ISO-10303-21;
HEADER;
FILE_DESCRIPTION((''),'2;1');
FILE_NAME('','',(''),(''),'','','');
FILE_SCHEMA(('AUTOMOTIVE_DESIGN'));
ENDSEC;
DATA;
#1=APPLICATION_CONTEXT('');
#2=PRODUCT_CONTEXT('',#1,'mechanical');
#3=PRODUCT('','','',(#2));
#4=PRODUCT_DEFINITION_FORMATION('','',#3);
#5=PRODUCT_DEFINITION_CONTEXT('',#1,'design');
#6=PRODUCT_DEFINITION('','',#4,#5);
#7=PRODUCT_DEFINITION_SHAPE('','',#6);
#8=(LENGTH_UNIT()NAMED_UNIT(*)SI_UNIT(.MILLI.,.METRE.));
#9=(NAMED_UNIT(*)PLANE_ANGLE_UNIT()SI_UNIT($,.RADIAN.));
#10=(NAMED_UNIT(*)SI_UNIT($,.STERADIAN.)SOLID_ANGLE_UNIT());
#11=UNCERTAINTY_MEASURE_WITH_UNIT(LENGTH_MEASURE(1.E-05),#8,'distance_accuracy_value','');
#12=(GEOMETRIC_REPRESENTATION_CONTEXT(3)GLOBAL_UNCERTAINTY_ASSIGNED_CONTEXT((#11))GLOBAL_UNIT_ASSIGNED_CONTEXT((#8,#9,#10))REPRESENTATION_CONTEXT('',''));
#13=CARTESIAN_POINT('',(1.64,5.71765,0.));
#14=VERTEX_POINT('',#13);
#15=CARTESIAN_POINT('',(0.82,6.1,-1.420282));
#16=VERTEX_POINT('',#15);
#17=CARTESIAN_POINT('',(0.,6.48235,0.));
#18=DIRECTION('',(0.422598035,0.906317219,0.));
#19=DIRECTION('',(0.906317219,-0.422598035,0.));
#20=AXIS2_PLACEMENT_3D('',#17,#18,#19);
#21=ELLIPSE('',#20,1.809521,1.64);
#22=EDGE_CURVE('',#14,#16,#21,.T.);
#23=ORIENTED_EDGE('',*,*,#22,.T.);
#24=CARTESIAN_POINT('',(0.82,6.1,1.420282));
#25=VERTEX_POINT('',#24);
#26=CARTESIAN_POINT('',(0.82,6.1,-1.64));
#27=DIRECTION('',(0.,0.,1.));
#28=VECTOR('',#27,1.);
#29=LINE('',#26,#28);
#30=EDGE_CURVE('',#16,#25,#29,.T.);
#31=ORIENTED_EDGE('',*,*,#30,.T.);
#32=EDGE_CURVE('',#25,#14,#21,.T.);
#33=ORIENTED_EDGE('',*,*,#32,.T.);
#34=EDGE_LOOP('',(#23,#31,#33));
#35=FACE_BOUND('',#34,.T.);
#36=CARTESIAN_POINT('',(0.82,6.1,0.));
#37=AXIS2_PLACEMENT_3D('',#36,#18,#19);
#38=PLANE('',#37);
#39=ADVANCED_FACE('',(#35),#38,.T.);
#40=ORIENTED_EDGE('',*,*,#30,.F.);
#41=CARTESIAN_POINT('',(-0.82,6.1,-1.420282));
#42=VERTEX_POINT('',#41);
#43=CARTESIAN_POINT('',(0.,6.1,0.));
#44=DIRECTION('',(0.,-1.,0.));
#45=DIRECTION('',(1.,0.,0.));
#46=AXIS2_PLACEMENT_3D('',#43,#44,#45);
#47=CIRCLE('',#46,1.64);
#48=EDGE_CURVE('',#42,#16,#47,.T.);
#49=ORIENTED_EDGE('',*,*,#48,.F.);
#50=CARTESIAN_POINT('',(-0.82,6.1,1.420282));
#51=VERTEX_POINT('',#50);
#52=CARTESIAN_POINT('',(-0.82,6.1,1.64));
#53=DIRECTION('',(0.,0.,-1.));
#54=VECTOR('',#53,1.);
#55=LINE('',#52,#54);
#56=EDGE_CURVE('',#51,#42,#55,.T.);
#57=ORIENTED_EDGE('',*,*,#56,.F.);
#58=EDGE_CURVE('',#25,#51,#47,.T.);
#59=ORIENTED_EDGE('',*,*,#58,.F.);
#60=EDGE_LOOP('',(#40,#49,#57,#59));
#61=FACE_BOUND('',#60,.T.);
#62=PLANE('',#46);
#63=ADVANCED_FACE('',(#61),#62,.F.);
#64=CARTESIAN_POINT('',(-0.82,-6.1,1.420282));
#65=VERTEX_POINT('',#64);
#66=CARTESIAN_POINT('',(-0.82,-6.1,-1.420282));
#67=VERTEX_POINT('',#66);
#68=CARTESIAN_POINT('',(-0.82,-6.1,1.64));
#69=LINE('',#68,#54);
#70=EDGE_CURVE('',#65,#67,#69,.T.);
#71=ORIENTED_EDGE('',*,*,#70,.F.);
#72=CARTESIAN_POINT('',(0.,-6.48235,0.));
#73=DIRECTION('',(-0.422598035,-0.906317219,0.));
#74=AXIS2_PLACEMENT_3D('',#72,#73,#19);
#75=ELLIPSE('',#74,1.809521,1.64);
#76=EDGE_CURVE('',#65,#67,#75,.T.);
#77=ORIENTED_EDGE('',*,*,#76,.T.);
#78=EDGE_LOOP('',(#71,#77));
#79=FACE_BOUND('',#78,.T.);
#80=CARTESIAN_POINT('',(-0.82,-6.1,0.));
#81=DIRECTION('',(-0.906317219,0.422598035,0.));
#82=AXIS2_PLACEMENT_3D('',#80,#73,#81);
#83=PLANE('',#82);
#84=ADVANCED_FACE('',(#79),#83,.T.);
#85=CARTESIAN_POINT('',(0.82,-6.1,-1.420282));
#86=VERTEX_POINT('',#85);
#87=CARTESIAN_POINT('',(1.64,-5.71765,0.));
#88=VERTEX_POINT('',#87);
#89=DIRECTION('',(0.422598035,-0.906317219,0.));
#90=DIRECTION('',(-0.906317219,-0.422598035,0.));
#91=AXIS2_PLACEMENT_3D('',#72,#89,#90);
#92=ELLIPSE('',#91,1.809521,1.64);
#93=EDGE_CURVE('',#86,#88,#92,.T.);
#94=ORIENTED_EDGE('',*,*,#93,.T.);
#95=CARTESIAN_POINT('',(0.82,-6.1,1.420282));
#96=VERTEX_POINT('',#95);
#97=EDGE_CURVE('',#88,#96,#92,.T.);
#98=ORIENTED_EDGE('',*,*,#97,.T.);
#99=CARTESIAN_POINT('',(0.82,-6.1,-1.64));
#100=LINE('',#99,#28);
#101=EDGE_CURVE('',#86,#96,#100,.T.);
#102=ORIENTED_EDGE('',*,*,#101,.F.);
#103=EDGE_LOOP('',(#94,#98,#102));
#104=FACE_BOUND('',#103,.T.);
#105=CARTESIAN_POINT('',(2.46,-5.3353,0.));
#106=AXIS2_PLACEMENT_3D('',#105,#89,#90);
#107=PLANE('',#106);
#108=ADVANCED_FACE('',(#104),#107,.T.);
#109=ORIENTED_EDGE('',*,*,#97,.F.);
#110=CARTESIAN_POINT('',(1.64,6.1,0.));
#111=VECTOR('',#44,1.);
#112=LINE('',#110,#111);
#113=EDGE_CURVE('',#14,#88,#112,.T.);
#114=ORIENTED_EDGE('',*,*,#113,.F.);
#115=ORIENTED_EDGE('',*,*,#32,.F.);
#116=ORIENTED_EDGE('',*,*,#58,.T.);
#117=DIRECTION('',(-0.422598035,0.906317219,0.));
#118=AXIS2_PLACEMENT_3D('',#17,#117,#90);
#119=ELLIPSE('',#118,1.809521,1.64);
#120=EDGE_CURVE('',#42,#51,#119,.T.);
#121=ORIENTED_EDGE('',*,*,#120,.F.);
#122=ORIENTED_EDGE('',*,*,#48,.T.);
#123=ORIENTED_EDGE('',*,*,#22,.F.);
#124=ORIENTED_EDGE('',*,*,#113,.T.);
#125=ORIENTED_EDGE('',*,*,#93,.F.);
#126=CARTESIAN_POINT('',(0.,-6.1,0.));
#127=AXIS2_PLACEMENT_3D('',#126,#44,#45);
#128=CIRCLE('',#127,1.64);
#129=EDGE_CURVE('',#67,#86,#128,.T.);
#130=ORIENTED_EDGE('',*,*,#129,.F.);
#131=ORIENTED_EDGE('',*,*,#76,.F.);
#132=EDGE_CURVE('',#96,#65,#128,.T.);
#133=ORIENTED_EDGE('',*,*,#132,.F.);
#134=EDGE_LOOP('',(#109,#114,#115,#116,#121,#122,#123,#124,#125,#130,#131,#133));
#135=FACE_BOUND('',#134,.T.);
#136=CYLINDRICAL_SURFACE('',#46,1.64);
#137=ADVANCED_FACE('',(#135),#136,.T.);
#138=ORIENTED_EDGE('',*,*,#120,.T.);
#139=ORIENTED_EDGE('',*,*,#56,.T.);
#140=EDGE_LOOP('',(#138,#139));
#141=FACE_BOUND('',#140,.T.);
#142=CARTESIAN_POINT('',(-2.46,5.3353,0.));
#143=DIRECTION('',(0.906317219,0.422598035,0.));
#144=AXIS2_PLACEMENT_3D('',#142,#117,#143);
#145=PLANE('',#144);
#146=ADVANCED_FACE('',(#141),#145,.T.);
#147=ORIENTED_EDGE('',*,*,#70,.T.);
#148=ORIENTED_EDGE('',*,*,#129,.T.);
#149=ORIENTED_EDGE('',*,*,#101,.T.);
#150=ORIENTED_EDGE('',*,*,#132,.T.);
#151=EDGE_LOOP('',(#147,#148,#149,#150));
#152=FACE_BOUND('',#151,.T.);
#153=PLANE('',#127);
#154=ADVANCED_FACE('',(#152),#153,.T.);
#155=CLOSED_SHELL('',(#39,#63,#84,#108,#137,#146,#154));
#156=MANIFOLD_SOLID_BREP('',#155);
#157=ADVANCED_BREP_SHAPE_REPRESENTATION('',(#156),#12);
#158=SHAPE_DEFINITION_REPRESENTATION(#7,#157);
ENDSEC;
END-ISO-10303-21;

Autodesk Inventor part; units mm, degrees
sketch "Sketch_1" plane through (0, 0, 0) normal (0, 0, 1) x (1, 0, 0)
  line L0 (0, -6.1) -> (0, 6.1)
  line L1 (0, 6.1) -> (1.64, 6.1)
  line L2 (1.64, 6.1) -> (1.64, -6.1)
  line L3 (1.64, -6.1) -> (0, -6.1)
  line L4 (0, -6.1) -> (0, 6.1)
revolve "Revolution1" add sketch "Sketch_1" angle 360 about axis through (0, -6.1, 0) along (0, -1, 0)
sketch "Sketch_7" plane through (0, 0, 0) normal (0, 0, 1) x (1, 0, 0)
  line L0 (0.82, 6.1) -> (2.46, 5.3353)
  line L1 (2.46, 5.3353) -> (2.46, 6.92)
  line L2 (2.46, 6.92) -> (0.82, 6.92)
  line L3 (0.82, 6.92) -> (0.82, 6.1)
extrude "Extrusion1" cut sketch "Sketch_7" along normal mid plane 3.28
sketch "Sketch_8" plane through (0, 0, 0) normal (0, 0, 1) x (1, 0, 0)
  line L0 (-2.46, 6.92) -> (-2.46, 5.3353)
  line L1 (-2.46, 5.3353) -> (-0.82, 6.1)
  line L2 (-0.82, 6.1) -> (-0.82, 6.92)
  line L3 (-0.82, 6.92) -> (-2.46, 6.92)
extrude "Extrusion2" cut sketch "Sketch_8" along normal mid plane 3.28
sketch "Sketch_9" plane through (0, 0, 0) normal (0, 0, 1) x (1, 0, 0)
  line L0 (0.82, -6.1) -> (0.82, -6.92)
  line L1 (0.82, -6.92) -> (2.46, -6.92)
  line L2 (2.46, -6.92) -> (2.46, -5.3353)
  line L3 (2.46, -5.3353) -> (0.82, -6.1)
extrude "Extrusion3" cut sketch "Sketch_9" along normal mid plane 3.28
sketch "Sketch_10" plane through (0, 0, 0) normal (0, 0, 1) x (1, 0, 0)
  line L0 (-2.46, -6.92) -> (-0.82, -6.92)
  line L1 (-0.82, -6.92) -> (-0.82, -6.1)
  line L2 (-0.82, -6.1) -> (-2.46, -5.3353)
  line L3 (-2.46, -5.3353) -> (-2.46, -6.92)
extrude "Extrusion4" cut sketch "Sketch_10" along normal mid plane 3.28
ref_plane "Body2_1_XY" through (0, 0, 0) normal (0, 1, 0) x (1, 0, 0)
ref_plane "Body2_1_YZ" through (0, 0, 0) normal (1, 0, 0) x (0, 0, -1)
ref_plane "Body2_1_ZX" through (0, 0, 0) normal (0, 0, -1) x (0, 1, 0)
ref_plane "for_pin_XY" through (0, -5.3803, 0) normal (1, 0, 0) x (0, 0, -1)
ref_plane "for_pin_YZ" through (0, -5.3803, 0) normal (0, 0, -1) x (0, 1, 0)
ref_plane "for_pin_ZX" through (0, -5.3803, 0) normal (0, 1, 0) x (1, 0, 0)
ref_plane "to_dummy_1_XY" through (0, 0, 0) normal (0, -1, 0) x (1, 0, 0)
ref_plane "to_dummy_1_YZ" through (0, 0, 0) normal (1, 0, 0) x (0, 0, 1)
ref_plane "to_dummy_1_ZX" through (0, 0, 0) normal (0, 0, 1) x (0, -1, 0)
properties part number "06B - 1 RP- Pin 1"
